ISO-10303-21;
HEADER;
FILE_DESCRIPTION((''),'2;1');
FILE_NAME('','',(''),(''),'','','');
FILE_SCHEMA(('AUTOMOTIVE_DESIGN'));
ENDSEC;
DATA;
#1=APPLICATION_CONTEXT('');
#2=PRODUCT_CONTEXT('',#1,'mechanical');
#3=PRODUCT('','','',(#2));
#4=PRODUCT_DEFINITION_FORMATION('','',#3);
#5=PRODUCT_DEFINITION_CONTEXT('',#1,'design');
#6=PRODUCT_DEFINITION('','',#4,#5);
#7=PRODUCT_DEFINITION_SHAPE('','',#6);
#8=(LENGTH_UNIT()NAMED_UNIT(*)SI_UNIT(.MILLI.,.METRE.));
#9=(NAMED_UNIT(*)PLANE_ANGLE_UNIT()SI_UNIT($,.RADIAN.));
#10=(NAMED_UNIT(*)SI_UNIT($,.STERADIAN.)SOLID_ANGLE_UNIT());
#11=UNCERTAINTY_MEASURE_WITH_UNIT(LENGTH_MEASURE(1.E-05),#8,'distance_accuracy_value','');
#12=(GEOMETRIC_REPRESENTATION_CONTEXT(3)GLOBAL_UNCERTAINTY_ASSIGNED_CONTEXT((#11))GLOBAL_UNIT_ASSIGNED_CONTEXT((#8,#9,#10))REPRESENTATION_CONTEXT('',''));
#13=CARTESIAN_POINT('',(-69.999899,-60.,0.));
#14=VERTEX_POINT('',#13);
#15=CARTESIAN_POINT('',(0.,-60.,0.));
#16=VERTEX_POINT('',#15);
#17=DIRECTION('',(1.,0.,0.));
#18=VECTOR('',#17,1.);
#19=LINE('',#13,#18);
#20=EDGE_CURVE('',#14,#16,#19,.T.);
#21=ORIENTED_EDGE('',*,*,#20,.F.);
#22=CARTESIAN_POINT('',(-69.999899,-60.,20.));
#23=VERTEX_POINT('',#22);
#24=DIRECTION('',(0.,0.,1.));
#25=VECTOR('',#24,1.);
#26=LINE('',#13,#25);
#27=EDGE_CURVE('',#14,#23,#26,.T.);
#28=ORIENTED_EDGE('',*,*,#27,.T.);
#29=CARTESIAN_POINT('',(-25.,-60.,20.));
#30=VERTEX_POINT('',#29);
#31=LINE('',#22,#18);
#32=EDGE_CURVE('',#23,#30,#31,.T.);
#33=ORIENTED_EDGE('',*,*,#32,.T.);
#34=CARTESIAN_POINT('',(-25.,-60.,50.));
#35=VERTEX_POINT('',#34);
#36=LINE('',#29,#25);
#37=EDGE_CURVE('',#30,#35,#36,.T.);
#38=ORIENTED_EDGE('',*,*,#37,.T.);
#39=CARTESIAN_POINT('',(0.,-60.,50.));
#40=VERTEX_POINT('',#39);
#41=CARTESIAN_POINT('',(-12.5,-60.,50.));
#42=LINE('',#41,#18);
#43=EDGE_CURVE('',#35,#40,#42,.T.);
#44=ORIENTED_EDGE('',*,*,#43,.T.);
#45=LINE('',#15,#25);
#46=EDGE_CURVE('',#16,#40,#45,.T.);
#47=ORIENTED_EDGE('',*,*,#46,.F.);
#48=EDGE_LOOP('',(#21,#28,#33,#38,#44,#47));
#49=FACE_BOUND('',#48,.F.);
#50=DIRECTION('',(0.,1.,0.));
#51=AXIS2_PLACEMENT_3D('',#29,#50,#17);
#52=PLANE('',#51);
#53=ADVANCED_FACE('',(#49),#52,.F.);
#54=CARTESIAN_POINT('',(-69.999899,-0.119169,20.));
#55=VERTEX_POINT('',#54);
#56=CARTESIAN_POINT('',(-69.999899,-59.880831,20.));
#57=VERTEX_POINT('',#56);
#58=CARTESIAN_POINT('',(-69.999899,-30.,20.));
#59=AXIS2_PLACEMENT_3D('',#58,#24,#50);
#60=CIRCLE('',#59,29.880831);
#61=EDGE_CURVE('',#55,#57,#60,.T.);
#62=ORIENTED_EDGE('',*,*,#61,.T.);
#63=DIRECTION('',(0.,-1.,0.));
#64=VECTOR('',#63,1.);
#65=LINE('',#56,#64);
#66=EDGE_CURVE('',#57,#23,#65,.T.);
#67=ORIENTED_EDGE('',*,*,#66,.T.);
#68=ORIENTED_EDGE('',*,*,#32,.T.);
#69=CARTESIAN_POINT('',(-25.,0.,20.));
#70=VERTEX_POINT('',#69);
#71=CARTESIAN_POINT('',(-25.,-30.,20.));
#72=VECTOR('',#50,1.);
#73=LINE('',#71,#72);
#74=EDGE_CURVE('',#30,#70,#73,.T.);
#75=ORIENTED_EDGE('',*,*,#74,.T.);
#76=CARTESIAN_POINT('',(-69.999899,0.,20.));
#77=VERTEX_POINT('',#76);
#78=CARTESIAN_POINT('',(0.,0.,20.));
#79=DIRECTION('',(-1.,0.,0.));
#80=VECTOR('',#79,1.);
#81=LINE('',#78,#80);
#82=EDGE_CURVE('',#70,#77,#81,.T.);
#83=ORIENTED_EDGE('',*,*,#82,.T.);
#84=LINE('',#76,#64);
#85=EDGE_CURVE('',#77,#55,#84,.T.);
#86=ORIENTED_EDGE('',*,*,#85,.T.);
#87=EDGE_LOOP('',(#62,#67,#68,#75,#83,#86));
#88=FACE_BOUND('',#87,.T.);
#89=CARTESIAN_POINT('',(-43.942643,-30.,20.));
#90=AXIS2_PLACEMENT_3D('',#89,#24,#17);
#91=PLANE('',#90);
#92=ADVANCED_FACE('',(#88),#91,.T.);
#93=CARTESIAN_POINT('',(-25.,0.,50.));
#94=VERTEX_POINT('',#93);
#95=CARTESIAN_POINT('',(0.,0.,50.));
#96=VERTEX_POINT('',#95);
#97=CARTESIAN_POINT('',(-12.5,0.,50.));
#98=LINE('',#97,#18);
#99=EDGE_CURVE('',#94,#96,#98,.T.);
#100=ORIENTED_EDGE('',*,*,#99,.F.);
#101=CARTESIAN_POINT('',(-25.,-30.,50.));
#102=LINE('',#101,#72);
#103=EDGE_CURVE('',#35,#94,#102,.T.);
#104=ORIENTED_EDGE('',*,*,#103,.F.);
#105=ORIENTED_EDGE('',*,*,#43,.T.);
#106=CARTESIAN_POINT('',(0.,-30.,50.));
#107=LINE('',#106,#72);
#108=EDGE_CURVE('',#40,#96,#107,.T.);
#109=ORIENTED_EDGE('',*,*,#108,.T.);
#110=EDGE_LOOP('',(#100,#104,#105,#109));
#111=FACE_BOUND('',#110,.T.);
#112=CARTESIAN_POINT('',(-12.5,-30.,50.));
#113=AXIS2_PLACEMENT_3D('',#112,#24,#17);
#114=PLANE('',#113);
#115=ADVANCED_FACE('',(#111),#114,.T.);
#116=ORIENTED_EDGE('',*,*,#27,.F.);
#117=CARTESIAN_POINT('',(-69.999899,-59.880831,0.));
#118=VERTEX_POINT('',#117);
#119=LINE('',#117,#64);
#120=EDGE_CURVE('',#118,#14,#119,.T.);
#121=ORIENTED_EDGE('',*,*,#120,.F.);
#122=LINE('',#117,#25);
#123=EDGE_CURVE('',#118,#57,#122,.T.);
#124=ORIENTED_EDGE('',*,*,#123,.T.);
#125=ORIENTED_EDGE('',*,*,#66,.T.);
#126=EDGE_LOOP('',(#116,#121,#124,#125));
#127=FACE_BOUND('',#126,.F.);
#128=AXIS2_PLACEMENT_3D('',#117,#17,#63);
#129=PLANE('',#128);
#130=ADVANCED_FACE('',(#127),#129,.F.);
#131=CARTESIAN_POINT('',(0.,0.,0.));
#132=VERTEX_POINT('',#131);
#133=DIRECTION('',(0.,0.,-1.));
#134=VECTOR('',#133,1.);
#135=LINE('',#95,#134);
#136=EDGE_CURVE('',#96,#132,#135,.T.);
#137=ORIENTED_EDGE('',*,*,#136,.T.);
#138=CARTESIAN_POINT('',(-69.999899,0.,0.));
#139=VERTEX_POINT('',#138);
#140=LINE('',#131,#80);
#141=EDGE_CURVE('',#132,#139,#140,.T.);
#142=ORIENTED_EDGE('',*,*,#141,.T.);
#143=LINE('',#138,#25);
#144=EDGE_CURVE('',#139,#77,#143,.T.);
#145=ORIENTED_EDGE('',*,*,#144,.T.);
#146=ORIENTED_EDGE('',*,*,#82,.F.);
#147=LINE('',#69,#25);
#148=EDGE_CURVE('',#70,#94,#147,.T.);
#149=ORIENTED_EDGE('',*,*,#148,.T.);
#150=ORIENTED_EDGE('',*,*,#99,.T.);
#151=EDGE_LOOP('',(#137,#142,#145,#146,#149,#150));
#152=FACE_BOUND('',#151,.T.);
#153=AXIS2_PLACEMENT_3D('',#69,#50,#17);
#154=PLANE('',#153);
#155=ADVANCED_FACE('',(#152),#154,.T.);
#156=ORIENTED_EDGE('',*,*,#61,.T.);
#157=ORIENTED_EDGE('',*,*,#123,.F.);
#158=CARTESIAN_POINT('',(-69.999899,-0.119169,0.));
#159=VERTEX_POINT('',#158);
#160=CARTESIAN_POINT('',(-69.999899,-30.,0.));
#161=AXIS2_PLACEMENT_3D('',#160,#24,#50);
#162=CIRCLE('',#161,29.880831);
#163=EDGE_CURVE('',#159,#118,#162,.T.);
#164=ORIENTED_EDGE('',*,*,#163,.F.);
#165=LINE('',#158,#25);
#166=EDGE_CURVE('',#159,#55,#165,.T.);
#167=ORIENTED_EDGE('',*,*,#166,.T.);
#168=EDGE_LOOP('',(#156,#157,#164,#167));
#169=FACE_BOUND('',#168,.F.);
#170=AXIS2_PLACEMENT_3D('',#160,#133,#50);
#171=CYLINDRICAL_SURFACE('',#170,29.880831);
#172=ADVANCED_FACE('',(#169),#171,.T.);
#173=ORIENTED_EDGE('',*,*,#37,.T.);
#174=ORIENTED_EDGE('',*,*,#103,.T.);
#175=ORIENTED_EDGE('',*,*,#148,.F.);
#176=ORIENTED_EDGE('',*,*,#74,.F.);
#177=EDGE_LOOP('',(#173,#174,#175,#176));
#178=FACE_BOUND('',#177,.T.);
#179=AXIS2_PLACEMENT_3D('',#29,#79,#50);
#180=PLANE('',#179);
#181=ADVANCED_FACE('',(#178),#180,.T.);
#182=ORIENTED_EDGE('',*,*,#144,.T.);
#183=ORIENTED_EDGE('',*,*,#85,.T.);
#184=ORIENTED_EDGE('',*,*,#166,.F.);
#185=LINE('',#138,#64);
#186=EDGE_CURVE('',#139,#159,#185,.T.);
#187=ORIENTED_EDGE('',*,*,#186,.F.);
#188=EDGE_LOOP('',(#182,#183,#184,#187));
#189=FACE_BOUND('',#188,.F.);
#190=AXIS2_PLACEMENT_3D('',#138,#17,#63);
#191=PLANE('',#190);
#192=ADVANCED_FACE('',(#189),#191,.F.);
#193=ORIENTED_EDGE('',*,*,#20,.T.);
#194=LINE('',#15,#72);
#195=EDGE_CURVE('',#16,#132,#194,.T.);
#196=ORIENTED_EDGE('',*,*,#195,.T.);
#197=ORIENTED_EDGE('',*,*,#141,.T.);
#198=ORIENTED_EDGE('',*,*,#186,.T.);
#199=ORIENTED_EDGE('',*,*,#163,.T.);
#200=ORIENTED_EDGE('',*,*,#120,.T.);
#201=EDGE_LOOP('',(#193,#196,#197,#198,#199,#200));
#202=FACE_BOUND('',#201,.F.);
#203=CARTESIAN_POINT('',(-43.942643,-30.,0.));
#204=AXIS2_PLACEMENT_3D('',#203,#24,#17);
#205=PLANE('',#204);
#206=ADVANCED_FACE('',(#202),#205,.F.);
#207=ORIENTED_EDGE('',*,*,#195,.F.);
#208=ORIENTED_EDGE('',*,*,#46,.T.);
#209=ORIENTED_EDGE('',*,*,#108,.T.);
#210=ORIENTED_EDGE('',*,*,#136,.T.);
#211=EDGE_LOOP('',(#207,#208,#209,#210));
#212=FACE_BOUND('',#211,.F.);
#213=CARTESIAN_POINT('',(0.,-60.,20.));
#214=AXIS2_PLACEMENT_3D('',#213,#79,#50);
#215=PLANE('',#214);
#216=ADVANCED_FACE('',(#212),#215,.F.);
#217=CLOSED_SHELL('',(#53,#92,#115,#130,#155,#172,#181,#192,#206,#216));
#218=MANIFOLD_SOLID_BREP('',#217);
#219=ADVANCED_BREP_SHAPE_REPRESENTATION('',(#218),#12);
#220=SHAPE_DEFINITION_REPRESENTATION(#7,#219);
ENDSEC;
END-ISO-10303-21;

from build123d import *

# Parameters (mm, degrees)
F1_DEPTH = 20
F2_W     = 25
F2_H     = 60
F3_DEPTH = 30


with BuildPart() as f1:
    # F0 (on Top) → F1 (new body)
    with BuildSketch(Plane.XY):
        with BuildLine():
            Line((0, 0), (-69.999899, 0))
            Line((-69.999899, 0), (-69.999899, -0.119169))
            ThreePointArc((-69.999899, -0.119169), (-99.88073, -30), (-69.999899, -59.880831))
            Line((-69.999899, -59.880831), (-69.999899, -60))
            Line((-69.999899, -60), (0, -60))
            Line((0, -60), (0, 0))
        make_face()
    extrude(amount=F1_DEPTH)

    # F2 (on face) → F3 (join)
    with BuildSketch(Plane.XY.offset(20)):
        with Locations((-12.5, -30)):
            Rectangle(F2_W, F2_H)
    extrude(amount=F3_DEPTH)


solid = f1.part
